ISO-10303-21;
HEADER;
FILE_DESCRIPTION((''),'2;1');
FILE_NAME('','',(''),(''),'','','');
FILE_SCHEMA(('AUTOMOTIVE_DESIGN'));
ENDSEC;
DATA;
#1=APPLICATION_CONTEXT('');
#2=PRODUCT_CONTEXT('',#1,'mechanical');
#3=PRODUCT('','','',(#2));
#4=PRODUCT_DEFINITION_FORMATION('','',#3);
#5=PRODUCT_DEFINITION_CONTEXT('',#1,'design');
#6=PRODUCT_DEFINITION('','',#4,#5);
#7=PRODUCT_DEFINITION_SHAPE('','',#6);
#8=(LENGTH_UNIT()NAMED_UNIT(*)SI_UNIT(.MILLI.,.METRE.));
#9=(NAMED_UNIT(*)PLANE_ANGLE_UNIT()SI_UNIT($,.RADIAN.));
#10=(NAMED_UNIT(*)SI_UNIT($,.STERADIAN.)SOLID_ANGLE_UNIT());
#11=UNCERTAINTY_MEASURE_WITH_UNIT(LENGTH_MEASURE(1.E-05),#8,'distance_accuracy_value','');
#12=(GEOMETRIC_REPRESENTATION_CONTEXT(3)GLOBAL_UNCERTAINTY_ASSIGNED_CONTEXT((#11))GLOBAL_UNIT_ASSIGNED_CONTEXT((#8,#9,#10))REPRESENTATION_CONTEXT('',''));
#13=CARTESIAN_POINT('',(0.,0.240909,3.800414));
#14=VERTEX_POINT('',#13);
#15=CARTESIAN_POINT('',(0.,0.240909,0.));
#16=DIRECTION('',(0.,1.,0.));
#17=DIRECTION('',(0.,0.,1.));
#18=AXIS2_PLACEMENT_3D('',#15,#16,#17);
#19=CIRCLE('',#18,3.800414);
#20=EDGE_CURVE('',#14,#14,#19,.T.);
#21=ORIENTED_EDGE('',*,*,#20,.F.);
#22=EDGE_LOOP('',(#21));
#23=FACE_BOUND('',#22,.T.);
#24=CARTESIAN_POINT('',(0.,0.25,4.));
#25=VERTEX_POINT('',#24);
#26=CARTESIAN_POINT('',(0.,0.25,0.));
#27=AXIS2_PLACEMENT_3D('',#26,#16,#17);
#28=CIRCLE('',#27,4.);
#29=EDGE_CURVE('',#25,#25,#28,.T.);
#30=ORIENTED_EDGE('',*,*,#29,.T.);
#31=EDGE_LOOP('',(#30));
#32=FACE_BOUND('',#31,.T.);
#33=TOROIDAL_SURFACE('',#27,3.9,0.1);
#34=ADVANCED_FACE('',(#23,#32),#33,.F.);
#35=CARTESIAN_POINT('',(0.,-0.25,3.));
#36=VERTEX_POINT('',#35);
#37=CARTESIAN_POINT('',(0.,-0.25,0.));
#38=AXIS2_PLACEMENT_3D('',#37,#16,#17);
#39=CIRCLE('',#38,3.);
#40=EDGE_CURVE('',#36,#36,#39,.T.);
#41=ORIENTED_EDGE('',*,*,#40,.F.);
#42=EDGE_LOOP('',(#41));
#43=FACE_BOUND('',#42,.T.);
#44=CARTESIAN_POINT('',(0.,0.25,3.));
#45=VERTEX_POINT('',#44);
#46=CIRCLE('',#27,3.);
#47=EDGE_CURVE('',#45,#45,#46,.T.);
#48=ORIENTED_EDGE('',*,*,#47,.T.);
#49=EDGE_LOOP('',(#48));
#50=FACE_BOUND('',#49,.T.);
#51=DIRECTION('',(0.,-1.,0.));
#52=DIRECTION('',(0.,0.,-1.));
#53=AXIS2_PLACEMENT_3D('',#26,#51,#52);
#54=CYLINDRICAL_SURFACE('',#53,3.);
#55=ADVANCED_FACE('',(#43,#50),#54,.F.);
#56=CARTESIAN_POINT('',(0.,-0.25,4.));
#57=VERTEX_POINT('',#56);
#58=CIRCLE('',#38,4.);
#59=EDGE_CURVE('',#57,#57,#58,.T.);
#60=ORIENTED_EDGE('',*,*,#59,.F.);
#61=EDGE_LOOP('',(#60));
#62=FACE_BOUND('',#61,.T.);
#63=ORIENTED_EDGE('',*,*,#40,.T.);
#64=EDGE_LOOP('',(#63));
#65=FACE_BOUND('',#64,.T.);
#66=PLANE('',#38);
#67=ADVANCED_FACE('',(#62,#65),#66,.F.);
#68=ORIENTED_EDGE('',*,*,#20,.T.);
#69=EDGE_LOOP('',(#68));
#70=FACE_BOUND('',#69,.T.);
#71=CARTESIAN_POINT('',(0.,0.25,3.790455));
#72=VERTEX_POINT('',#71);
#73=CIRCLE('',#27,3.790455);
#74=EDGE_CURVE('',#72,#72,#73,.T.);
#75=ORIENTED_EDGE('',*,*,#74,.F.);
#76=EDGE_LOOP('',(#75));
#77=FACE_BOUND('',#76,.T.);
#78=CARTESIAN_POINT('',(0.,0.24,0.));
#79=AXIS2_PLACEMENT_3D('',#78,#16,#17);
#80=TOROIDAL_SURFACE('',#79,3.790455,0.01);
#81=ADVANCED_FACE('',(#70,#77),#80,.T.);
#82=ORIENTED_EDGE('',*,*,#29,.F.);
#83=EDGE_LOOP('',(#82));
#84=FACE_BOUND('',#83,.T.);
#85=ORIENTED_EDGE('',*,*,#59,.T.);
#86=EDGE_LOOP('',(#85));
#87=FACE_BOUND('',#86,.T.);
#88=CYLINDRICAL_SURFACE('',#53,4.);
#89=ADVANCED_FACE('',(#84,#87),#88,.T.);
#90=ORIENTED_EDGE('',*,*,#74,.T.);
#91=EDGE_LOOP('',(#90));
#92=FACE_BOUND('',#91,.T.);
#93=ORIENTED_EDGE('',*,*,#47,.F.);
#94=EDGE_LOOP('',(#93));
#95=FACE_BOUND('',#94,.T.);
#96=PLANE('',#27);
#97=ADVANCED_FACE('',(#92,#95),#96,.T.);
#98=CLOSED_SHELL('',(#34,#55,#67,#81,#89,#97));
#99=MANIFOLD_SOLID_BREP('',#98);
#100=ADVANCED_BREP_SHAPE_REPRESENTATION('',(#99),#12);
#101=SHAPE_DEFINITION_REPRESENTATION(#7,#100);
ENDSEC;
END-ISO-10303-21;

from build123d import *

# Parameters (mm, degrees)
DIAPROFILES_R    = 4
DIAPROFILES_R_2  = 3
DIAPROFILE_DEPTH = 0.25


with BuildPart() as part:
    # DiaProfileS → DiaProfile (new body, symmetric)
    with BuildSketch(Plane(origin=(0, 0, 0), x_dir=(1, 0, 0), z_dir=(0, 1, 0))):
        Circle(DIAPROFILES_R)
        Circle(DIAPROFILES_R_2, mode=Mode.SUBTRACT)
    extrude(amount=DIAPROFILE_DEPTH, both=True)

    # CrimpS → Crimp (revolve, cut)
    with BuildSketch(Plane.XY):
        with BuildLine():
            Line((-4, 0.25), (-3.790455488, 0.25))
            ThreePointArc((-3.790455488, 0.25), (-3.797197487, 0.247385489), (-3.80041408, 0.240909091))
            ThreePointArc((-3.80041408, 0.240909091), (-3.904550167, 0.150103574), (-4, 0.25))
        make_face()
    revolve(axis=Axis((0, 0.25, 0), (0, -1, 0)), mode=Mode.SUBTRACT)


solid = part.part
